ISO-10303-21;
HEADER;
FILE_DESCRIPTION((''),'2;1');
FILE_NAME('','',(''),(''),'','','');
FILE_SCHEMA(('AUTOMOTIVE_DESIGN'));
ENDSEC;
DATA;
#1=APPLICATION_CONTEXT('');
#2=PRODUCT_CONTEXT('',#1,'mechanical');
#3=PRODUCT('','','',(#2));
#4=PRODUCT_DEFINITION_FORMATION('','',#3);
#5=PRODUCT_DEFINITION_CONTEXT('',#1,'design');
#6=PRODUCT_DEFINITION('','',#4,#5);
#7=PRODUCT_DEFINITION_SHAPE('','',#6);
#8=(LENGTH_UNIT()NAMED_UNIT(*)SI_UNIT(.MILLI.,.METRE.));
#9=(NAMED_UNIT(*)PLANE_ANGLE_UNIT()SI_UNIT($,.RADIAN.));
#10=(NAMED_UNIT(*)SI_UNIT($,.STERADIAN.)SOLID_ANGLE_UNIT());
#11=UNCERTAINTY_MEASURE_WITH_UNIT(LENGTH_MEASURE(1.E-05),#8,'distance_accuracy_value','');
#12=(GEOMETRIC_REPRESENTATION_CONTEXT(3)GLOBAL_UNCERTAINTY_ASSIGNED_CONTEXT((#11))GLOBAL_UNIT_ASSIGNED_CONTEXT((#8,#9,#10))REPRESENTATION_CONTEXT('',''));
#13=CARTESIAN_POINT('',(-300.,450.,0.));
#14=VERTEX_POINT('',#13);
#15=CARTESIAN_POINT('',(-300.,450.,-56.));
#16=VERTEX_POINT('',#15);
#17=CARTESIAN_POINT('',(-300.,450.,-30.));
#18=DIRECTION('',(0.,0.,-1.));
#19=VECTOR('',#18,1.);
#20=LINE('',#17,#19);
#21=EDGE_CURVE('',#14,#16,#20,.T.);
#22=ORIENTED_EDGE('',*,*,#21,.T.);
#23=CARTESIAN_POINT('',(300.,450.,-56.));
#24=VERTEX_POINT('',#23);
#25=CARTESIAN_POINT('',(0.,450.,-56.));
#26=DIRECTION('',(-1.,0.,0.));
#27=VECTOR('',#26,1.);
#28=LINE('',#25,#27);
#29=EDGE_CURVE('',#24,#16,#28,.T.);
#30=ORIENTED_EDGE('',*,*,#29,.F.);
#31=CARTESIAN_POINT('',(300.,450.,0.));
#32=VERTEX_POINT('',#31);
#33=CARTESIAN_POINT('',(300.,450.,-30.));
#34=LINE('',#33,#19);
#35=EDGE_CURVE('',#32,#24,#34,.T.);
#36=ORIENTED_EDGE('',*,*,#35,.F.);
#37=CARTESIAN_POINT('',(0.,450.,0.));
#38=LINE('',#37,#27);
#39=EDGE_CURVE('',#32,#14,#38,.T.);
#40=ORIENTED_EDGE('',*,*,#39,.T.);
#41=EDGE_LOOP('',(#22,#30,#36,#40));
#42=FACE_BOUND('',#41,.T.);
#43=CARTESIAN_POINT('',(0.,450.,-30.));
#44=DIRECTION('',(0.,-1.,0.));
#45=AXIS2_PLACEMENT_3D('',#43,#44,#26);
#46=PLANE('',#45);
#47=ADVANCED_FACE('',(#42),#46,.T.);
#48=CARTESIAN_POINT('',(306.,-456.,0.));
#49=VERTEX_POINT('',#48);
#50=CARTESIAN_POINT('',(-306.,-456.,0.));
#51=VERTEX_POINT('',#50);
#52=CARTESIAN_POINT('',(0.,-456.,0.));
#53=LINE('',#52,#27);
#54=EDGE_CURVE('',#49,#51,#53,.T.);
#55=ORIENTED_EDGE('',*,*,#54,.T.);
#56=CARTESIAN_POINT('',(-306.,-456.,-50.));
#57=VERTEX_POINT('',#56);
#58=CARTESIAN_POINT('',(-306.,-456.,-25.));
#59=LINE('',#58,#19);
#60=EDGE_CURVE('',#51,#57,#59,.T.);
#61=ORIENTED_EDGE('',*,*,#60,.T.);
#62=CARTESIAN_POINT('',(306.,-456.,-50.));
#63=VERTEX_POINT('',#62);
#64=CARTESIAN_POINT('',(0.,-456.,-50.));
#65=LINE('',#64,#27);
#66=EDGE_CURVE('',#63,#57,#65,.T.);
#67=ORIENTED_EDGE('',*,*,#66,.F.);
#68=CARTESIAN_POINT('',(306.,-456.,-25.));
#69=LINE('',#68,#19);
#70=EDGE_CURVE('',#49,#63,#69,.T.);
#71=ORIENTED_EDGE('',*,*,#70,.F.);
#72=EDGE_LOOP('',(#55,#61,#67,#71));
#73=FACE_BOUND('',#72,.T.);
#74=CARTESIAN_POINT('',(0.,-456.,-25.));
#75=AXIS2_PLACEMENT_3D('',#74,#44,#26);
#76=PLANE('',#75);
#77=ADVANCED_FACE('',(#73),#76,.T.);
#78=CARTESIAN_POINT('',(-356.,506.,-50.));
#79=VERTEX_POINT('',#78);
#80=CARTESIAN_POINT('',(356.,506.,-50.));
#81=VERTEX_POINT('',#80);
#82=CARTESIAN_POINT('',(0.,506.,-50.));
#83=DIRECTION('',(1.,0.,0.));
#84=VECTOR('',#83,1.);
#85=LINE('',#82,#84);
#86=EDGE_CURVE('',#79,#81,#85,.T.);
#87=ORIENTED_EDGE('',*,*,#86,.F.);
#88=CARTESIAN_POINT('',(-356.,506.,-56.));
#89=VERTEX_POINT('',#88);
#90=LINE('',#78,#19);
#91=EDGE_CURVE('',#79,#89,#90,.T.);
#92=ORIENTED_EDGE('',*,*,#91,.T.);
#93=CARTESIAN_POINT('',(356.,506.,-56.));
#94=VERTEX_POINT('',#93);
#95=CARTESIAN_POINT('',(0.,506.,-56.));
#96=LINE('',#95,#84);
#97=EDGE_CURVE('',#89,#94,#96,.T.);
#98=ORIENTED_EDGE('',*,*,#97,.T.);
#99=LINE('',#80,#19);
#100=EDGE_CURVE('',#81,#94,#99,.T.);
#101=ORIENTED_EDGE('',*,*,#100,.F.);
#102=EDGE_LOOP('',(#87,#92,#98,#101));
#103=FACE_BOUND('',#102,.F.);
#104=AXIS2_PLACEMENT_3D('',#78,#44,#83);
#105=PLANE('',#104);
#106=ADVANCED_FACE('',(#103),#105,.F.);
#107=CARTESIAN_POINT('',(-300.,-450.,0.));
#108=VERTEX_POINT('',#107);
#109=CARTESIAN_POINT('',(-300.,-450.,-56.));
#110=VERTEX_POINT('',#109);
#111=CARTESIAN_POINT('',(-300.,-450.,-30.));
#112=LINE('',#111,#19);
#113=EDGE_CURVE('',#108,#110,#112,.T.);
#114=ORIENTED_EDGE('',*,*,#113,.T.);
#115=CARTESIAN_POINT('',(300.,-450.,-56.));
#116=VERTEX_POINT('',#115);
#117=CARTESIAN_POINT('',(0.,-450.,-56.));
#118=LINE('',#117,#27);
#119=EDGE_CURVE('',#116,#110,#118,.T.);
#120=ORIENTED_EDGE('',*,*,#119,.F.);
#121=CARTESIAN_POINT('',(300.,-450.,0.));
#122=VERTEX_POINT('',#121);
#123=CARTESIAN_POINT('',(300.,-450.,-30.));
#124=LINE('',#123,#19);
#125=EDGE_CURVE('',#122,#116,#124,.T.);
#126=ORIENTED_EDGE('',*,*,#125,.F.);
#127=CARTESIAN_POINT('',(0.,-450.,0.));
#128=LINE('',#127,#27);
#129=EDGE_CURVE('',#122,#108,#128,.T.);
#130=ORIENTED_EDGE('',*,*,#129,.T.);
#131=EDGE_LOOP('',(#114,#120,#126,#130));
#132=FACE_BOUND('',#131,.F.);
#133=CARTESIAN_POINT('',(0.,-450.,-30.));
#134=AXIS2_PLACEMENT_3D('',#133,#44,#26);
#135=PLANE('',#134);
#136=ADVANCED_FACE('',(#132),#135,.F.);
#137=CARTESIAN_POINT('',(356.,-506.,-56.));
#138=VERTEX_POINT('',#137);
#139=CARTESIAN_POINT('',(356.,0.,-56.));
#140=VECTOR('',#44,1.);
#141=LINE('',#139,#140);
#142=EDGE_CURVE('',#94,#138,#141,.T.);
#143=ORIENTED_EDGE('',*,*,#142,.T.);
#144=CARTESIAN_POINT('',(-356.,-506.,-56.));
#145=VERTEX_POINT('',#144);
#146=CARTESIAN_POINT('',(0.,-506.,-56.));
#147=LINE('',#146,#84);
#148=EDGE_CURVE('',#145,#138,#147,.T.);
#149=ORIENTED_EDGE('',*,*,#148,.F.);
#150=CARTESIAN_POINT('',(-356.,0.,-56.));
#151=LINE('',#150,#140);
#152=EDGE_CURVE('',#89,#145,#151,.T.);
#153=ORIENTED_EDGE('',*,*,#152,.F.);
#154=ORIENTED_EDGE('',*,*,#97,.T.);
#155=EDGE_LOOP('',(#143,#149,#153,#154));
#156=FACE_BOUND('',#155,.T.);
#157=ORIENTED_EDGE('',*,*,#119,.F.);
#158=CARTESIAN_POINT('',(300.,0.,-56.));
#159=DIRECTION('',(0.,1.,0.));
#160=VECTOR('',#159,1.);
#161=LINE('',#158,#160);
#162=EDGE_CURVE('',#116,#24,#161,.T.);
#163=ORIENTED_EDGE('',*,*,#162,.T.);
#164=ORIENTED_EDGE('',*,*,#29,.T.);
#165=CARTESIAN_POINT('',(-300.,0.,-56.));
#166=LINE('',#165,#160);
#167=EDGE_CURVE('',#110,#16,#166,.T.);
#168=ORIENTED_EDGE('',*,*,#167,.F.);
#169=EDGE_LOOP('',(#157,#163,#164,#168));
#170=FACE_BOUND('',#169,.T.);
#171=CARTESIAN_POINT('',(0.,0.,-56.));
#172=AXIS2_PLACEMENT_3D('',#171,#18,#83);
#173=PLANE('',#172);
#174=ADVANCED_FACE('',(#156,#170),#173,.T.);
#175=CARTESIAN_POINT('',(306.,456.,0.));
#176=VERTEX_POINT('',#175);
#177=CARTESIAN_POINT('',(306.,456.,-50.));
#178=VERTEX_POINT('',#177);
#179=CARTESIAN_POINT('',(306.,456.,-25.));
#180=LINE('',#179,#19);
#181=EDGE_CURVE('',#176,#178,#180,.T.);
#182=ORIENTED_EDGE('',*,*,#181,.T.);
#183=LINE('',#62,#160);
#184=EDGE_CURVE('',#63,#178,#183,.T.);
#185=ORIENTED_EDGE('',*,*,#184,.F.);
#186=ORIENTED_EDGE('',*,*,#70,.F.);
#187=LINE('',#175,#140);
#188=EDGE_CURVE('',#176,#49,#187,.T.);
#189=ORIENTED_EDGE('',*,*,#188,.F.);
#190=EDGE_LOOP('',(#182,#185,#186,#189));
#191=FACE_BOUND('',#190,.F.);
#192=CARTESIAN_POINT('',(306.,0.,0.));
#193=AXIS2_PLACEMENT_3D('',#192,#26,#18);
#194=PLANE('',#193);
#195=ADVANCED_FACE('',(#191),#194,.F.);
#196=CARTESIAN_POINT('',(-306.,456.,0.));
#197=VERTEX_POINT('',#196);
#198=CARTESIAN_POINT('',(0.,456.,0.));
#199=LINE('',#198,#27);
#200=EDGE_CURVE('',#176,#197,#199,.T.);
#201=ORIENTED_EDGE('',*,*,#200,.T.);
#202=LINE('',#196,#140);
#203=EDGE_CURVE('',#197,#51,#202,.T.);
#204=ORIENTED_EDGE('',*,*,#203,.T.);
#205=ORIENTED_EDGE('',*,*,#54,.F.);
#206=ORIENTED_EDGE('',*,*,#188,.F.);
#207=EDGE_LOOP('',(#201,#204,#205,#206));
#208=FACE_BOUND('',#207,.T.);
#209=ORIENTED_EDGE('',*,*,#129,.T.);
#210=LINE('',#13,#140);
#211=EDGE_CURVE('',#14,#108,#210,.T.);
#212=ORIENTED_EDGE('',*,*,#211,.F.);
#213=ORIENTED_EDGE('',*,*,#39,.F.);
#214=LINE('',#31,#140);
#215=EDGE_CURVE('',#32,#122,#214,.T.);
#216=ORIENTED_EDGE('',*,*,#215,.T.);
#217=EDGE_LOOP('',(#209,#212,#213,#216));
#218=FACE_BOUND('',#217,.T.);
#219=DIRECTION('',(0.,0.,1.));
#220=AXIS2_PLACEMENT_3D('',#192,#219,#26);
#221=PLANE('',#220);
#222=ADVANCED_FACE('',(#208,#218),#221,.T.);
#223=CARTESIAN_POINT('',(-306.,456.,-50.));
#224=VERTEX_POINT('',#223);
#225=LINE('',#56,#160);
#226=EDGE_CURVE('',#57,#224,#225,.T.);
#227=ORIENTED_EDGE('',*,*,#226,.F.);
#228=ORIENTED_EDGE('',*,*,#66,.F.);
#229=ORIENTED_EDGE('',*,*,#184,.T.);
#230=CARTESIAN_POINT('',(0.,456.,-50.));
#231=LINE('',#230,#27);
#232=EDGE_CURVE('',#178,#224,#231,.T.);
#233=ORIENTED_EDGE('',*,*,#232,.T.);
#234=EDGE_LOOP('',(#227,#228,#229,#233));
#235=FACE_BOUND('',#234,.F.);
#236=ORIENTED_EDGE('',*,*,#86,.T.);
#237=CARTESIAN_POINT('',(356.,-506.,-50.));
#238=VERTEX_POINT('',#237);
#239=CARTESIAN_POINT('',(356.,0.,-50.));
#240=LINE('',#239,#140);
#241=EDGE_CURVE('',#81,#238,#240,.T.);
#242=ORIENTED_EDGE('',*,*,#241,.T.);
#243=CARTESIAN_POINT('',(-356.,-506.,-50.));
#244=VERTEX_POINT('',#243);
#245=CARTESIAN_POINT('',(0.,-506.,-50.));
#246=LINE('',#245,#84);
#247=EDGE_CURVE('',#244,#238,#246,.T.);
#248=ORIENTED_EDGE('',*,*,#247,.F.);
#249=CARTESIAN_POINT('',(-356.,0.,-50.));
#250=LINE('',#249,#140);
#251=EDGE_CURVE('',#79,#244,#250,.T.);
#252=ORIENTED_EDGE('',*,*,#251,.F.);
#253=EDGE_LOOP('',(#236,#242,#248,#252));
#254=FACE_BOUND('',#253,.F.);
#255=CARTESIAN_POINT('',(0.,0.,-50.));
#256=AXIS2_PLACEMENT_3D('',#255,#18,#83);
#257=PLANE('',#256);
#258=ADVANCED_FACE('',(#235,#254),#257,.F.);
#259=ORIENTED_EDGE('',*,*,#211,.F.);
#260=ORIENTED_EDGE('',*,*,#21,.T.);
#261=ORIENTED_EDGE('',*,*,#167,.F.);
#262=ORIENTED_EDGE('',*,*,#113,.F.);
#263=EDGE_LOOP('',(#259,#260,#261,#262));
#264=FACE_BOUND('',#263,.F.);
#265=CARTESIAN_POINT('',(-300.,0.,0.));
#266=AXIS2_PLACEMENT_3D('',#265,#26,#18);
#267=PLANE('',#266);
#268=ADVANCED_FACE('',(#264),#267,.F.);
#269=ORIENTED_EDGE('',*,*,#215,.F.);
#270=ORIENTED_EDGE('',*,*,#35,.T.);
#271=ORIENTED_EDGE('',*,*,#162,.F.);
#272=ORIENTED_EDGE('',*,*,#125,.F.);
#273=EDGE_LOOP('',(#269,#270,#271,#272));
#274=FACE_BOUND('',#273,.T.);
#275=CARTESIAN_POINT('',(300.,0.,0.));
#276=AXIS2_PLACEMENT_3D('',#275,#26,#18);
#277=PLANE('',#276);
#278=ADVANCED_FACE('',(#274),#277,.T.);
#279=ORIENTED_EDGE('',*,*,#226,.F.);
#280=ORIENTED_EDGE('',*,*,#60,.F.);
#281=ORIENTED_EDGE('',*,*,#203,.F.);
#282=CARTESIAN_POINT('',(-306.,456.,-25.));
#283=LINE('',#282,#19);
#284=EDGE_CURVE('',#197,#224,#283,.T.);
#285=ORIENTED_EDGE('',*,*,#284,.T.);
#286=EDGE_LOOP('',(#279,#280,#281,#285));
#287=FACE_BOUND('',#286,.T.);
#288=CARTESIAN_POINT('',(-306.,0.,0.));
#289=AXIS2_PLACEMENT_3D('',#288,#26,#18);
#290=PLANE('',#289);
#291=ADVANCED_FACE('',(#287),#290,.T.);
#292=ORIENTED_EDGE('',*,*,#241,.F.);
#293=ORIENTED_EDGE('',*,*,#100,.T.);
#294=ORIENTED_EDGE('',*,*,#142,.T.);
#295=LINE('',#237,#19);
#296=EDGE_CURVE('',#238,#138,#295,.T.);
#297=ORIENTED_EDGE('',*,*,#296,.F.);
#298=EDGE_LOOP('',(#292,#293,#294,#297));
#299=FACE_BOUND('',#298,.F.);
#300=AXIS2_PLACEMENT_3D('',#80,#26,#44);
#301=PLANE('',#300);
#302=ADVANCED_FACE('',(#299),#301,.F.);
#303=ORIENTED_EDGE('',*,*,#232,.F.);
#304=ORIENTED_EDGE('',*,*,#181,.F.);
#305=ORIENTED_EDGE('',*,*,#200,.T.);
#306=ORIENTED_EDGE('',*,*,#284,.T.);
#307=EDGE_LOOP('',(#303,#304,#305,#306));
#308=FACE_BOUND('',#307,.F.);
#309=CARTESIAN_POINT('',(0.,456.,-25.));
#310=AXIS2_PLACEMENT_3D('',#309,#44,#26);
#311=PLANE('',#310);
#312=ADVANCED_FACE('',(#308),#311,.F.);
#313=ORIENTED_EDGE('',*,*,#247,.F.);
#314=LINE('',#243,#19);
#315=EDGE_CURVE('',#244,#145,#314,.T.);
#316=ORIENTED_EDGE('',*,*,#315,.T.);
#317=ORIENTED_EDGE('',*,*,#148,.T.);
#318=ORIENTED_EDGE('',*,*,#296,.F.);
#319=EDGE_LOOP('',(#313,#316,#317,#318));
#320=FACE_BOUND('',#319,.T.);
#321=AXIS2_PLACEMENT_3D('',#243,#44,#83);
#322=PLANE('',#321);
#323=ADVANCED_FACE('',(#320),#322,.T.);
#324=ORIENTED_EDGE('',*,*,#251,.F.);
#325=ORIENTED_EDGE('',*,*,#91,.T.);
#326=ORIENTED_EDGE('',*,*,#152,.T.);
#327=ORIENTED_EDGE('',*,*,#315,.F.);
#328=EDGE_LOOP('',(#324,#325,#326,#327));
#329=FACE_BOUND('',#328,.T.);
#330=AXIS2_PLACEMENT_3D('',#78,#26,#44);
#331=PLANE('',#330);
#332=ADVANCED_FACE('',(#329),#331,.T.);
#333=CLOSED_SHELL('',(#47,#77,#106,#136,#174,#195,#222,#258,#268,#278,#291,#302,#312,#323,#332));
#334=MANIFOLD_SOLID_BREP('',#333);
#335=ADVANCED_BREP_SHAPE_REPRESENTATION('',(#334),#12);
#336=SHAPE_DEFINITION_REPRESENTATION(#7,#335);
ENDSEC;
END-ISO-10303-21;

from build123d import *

# Parameters (mm, degrees)
SKETCH048_W            = 600
SKETCH048_H            = 60
PAD003_DEPTH           = 450
SKETCH049_W            = 612
SKETCH049_H            = 50
PAD010_DEPTH           = 456
SKETCH050_W            = 712
SKETCH050_H            = 1012
PAD011_DEPTH           = 6
CUT001_PLACEMENT_ANGLE = 180


with BuildPart() as body002:
    # Sketch048 → Pad003 (new body, symmetric)
    with BuildSketch(Plane.XZ):
        with Locations((0, 30)):
            Rectangle(SKETCH048_W, SKETCH048_H)
    extrude(amount=PAD003_DEPTH, both=True)


with BuildPart() as cut001:
    # Sketch049 → Pad010 (new body, symmetric)
    with BuildSketch(Plane.XZ):
        with Locations((0, 25)):
            Rectangle(SKETCH049_W, SKETCH049_H)
    extrude(amount=PAD010_DEPTH, both=True)

    # Sketch050 (on Face3 of Pad010) → Pad011 (join)
    with BuildSketch(Plane(origin=(0, 0, 50), x_dir=(-1, 0, 0), z_dir=(0, 0, 1))):
        Rectangle(SKETCH050_W, SKETCH050_H)
    extrude(amount=PAD011_DEPTH)

    # Cut001: cut Body002
    add(body002.part, mode=Mode.SUBTRACT)


with BuildPart() as cut001_1:
    # Cut001 placement: moved
    add(cut001.part.rotate(Axis((0, 0, 0), (0, 1, 0)), CUT001_PLACEMENT_ANGLE))


solid = cut001_1.part
